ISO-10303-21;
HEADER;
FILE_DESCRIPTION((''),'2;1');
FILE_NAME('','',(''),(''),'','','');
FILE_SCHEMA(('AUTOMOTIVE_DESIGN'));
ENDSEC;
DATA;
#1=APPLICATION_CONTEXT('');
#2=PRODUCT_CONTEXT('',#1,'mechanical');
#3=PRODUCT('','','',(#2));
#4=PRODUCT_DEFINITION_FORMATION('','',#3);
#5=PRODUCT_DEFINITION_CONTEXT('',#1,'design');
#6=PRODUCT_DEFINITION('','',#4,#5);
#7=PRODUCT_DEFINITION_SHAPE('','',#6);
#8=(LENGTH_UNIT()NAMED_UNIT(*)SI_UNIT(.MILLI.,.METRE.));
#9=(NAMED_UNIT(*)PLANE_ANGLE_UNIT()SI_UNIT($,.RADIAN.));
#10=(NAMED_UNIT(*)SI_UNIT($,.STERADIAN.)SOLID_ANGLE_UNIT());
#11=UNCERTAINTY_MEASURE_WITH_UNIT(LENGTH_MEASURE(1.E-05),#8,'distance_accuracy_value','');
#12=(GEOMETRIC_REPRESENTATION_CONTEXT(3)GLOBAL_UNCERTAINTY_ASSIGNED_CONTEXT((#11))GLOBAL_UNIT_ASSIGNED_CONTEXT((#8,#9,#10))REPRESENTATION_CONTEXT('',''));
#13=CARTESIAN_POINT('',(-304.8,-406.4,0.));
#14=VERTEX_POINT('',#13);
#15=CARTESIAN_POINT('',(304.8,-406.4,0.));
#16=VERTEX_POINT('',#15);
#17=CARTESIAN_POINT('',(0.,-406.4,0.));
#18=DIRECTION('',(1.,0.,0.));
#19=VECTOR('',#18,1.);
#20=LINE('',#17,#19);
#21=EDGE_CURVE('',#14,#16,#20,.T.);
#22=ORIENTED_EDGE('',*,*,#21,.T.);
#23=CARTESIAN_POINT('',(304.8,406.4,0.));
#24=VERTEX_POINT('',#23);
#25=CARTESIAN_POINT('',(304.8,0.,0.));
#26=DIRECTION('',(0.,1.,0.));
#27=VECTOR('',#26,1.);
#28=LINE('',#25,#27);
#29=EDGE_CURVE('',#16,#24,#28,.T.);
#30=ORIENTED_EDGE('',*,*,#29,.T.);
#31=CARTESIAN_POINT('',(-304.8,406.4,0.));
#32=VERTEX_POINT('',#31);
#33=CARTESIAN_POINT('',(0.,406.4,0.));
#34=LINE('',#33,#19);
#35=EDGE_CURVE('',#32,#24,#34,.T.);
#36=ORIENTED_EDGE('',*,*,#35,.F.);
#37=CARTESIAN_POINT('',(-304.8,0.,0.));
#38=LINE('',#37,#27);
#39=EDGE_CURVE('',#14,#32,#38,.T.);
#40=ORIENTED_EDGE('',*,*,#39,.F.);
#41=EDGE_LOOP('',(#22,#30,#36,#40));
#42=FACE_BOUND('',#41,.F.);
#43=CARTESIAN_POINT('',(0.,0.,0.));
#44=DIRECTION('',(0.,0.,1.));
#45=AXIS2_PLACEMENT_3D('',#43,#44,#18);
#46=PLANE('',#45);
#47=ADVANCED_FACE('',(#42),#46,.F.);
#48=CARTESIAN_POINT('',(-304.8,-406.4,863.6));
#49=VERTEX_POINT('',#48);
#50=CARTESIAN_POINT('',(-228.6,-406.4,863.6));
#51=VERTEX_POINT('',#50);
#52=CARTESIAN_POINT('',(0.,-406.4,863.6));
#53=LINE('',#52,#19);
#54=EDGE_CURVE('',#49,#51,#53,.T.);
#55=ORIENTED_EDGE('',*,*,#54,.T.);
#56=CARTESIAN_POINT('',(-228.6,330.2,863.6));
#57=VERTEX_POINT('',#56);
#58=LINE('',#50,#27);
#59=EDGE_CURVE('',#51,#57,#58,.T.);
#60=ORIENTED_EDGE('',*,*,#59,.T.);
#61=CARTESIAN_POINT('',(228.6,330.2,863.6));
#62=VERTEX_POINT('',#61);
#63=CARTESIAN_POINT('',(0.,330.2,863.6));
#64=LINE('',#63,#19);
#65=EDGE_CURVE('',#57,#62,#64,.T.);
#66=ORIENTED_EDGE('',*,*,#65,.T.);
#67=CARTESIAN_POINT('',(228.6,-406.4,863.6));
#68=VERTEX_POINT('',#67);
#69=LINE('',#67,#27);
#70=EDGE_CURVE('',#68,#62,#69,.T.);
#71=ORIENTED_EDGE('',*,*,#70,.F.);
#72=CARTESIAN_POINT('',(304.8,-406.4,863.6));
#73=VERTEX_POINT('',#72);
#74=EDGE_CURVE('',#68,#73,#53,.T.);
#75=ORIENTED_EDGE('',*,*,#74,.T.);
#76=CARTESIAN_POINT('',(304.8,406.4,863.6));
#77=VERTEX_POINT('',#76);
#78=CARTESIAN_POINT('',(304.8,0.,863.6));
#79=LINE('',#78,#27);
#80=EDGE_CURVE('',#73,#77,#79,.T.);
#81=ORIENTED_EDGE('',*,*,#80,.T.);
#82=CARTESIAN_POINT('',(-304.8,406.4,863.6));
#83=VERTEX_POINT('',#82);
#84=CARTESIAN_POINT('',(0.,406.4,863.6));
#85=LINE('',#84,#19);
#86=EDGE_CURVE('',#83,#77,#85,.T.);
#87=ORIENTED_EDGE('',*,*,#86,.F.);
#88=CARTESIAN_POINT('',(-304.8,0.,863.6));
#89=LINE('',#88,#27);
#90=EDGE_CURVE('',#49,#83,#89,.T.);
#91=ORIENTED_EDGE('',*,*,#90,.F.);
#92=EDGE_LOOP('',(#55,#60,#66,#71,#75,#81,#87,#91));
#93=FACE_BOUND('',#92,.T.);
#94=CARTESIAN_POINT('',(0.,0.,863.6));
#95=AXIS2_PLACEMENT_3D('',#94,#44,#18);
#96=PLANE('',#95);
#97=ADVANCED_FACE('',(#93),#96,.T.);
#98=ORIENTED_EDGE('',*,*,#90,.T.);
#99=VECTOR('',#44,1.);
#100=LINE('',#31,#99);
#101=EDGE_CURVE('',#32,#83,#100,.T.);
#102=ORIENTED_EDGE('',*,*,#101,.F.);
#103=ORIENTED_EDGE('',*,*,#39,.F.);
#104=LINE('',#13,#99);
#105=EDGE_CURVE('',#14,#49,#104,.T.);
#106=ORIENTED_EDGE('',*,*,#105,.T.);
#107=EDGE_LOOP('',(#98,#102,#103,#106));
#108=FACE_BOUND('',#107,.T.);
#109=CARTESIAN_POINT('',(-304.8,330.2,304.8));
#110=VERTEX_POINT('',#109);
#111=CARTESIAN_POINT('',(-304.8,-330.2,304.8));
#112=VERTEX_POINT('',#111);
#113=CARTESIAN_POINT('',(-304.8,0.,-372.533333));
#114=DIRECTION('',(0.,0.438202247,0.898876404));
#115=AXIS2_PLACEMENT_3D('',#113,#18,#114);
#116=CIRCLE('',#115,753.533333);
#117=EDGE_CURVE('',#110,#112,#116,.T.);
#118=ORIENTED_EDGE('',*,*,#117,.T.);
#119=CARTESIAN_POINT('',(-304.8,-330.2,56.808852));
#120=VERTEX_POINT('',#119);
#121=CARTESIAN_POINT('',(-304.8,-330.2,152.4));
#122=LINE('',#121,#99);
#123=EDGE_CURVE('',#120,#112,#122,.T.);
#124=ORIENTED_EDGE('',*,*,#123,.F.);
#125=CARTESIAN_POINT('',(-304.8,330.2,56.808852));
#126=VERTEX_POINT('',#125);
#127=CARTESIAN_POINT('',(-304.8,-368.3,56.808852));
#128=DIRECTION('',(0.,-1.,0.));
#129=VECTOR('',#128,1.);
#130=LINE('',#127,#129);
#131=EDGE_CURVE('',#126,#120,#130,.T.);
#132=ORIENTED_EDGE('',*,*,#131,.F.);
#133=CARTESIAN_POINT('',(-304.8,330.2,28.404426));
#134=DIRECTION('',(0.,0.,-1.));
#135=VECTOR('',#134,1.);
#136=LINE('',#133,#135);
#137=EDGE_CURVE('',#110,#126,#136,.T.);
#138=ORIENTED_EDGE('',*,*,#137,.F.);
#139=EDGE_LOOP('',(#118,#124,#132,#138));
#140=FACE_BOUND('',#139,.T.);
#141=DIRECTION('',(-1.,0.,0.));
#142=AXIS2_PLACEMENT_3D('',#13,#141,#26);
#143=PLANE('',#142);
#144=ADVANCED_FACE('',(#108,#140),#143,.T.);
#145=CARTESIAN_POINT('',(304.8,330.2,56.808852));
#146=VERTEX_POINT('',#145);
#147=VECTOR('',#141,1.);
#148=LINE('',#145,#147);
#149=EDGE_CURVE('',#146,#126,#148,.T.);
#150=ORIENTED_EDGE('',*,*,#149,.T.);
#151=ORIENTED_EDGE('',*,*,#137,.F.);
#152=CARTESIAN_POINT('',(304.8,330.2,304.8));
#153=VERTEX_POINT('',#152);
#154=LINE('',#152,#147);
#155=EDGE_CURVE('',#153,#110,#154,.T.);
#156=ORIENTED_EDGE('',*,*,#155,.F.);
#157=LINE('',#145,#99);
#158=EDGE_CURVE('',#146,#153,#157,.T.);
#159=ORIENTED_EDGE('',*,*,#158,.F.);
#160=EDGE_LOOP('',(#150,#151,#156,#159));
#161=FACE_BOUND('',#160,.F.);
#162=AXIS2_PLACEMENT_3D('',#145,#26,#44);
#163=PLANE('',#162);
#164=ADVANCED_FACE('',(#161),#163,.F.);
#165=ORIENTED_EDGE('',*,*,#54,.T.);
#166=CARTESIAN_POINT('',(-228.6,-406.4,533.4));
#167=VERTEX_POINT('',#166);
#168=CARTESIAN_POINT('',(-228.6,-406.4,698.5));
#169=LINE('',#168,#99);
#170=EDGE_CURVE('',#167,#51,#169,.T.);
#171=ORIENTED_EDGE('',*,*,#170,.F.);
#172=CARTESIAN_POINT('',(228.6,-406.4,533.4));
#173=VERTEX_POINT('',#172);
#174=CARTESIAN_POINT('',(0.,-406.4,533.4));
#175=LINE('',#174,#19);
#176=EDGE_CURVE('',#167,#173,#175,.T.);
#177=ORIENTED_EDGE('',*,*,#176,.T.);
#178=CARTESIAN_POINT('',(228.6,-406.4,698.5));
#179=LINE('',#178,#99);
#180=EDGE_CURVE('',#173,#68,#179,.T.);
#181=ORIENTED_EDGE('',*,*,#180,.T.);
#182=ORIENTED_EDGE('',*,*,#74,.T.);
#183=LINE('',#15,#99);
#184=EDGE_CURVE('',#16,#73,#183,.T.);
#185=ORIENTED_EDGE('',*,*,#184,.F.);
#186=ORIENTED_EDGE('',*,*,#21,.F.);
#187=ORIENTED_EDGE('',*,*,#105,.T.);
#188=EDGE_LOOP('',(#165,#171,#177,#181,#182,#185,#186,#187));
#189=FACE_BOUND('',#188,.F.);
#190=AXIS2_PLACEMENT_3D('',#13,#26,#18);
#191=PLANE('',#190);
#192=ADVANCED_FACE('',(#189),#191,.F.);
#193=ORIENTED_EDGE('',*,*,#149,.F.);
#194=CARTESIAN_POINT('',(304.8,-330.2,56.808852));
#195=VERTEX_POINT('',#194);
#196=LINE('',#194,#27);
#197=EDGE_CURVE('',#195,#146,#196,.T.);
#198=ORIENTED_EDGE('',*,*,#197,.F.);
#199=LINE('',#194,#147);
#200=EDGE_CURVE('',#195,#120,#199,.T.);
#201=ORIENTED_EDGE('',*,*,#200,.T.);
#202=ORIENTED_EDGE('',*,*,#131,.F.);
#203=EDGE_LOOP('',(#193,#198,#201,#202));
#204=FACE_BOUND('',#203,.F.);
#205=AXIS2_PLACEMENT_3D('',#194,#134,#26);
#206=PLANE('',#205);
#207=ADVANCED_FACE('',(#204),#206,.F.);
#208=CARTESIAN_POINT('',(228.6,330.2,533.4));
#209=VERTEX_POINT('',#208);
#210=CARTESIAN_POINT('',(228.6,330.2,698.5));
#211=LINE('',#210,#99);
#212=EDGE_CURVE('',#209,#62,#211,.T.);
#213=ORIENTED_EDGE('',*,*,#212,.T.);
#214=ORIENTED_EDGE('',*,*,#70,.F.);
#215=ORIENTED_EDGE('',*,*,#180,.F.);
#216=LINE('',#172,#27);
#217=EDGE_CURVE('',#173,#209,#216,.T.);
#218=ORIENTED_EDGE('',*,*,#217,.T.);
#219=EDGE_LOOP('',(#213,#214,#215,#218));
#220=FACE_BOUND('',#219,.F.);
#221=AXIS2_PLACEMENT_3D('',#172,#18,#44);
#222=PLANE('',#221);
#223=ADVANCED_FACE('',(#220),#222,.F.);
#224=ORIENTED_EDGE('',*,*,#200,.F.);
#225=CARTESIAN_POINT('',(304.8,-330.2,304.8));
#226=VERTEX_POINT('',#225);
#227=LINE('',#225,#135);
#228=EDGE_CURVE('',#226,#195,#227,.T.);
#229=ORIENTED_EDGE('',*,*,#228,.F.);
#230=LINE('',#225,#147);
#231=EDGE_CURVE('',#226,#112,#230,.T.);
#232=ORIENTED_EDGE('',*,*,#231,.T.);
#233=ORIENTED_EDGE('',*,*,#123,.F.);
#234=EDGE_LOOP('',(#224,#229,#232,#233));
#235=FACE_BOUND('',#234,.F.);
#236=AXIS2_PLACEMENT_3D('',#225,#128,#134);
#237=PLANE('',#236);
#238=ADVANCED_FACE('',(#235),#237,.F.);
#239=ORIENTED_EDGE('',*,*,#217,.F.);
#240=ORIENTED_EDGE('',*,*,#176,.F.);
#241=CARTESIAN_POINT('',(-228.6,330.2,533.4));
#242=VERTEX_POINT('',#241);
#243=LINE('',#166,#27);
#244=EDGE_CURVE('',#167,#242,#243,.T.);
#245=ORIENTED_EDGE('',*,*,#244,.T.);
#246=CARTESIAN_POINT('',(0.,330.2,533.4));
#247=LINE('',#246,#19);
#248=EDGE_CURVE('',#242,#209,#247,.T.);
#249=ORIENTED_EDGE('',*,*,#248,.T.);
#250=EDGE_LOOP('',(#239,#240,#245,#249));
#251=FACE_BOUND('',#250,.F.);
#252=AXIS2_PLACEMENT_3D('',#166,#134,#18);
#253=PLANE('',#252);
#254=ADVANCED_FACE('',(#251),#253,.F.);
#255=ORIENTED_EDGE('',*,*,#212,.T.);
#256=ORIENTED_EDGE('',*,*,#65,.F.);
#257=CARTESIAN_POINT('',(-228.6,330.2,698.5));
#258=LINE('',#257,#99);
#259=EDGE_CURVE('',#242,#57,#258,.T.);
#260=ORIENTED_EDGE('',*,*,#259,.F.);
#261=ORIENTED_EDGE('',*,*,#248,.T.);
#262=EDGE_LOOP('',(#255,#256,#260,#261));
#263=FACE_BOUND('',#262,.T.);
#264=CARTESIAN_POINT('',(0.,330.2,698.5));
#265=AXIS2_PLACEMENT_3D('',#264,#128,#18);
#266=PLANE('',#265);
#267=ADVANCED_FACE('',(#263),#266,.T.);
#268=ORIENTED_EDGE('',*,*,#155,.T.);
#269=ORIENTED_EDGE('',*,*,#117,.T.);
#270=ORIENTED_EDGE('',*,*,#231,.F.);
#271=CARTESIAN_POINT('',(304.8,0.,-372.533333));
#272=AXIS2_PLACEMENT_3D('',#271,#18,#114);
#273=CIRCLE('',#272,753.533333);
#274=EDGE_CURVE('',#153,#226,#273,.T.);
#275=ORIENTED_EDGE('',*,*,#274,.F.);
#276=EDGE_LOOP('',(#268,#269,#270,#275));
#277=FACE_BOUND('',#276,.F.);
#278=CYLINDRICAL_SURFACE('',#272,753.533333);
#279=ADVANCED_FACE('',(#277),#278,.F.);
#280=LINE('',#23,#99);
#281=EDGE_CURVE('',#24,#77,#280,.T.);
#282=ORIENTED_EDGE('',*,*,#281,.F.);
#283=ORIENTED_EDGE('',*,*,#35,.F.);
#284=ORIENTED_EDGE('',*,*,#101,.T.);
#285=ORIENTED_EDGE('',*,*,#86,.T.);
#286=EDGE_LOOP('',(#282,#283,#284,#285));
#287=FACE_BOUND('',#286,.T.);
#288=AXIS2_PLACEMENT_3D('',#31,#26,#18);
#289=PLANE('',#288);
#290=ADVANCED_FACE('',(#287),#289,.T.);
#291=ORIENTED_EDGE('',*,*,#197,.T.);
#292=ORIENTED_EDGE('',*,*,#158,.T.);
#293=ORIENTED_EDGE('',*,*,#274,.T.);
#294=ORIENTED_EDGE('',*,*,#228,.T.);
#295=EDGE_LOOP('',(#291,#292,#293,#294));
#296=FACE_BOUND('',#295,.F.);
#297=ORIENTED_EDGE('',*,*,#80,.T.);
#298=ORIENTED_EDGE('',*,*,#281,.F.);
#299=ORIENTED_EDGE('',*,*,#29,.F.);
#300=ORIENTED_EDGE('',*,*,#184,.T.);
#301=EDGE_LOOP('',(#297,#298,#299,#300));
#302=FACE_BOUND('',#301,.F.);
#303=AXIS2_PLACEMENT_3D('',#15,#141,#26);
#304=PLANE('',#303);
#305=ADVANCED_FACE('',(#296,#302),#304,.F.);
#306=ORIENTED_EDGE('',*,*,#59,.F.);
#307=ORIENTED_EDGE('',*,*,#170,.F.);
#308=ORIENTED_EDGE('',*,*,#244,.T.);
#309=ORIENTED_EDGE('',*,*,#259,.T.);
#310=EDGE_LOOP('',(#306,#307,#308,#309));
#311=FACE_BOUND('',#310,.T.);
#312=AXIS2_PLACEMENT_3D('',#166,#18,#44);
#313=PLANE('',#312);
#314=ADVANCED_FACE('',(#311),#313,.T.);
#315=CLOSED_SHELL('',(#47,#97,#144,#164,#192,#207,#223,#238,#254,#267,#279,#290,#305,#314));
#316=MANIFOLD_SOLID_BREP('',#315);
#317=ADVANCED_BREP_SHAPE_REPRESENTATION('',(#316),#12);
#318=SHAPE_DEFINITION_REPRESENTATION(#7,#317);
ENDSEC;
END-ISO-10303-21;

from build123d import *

# Parameters (mm, degrees)
F0_W     = 609.6
F0_H     = 812.8
F1_DEPTH = 914.4
F4_DEPTH = 609.601
F3_W     = 457.2
F3_H     = 330.2
F5_DEPTH = 736.6
F6_DEPTH = 50.8


with BuildPart() as f1:
    # F0 (on Top) → F1 (new body)
    with BuildSketch(Plane.XY):
        Rectangle(F0_W, F0_H)
    extrude(amount=F1_DEPTH)

    # F2 (on face) → F4 (cut, through all)
    with BuildSketch(Plane.YZ.offset(304.8)):
        with BuildLine():
            Line((330.2, 56.8088516593), (330.2, 304.8))
            ThreePointArc((330.2, 304.8), (0, 381), (-330.2, 304.8))
            Line((-330.2, 304.8), (-330.2, 56.8088516593))
            Line((-330.2, 56.8088516593), (330.2, 56.8088516593))
        make_face()
    extrude(amount=-F4_DEPTH, mode=Mode.SUBTRACT)

    # F3 (on face) → F5 (cut)
    with BuildSketch(Plane.XZ.offset(406.4)):
        with Locations((0, 698.5)):
            Rectangle(F3_W, F3_H)
    extrude(amount=-F5_DEPTH, mode=Mode.SUBTRACT)

    # F6 (cut): a face of the model
    f6_faces = [f1.faces().sort_by_distance(p)[0] for p in [
        (0, 0, 914.4),
    ]]
    extrude(f6_faces, amount=-F6_DEPTH, mode=Mode.SUBTRACT)


solid = f1.part
